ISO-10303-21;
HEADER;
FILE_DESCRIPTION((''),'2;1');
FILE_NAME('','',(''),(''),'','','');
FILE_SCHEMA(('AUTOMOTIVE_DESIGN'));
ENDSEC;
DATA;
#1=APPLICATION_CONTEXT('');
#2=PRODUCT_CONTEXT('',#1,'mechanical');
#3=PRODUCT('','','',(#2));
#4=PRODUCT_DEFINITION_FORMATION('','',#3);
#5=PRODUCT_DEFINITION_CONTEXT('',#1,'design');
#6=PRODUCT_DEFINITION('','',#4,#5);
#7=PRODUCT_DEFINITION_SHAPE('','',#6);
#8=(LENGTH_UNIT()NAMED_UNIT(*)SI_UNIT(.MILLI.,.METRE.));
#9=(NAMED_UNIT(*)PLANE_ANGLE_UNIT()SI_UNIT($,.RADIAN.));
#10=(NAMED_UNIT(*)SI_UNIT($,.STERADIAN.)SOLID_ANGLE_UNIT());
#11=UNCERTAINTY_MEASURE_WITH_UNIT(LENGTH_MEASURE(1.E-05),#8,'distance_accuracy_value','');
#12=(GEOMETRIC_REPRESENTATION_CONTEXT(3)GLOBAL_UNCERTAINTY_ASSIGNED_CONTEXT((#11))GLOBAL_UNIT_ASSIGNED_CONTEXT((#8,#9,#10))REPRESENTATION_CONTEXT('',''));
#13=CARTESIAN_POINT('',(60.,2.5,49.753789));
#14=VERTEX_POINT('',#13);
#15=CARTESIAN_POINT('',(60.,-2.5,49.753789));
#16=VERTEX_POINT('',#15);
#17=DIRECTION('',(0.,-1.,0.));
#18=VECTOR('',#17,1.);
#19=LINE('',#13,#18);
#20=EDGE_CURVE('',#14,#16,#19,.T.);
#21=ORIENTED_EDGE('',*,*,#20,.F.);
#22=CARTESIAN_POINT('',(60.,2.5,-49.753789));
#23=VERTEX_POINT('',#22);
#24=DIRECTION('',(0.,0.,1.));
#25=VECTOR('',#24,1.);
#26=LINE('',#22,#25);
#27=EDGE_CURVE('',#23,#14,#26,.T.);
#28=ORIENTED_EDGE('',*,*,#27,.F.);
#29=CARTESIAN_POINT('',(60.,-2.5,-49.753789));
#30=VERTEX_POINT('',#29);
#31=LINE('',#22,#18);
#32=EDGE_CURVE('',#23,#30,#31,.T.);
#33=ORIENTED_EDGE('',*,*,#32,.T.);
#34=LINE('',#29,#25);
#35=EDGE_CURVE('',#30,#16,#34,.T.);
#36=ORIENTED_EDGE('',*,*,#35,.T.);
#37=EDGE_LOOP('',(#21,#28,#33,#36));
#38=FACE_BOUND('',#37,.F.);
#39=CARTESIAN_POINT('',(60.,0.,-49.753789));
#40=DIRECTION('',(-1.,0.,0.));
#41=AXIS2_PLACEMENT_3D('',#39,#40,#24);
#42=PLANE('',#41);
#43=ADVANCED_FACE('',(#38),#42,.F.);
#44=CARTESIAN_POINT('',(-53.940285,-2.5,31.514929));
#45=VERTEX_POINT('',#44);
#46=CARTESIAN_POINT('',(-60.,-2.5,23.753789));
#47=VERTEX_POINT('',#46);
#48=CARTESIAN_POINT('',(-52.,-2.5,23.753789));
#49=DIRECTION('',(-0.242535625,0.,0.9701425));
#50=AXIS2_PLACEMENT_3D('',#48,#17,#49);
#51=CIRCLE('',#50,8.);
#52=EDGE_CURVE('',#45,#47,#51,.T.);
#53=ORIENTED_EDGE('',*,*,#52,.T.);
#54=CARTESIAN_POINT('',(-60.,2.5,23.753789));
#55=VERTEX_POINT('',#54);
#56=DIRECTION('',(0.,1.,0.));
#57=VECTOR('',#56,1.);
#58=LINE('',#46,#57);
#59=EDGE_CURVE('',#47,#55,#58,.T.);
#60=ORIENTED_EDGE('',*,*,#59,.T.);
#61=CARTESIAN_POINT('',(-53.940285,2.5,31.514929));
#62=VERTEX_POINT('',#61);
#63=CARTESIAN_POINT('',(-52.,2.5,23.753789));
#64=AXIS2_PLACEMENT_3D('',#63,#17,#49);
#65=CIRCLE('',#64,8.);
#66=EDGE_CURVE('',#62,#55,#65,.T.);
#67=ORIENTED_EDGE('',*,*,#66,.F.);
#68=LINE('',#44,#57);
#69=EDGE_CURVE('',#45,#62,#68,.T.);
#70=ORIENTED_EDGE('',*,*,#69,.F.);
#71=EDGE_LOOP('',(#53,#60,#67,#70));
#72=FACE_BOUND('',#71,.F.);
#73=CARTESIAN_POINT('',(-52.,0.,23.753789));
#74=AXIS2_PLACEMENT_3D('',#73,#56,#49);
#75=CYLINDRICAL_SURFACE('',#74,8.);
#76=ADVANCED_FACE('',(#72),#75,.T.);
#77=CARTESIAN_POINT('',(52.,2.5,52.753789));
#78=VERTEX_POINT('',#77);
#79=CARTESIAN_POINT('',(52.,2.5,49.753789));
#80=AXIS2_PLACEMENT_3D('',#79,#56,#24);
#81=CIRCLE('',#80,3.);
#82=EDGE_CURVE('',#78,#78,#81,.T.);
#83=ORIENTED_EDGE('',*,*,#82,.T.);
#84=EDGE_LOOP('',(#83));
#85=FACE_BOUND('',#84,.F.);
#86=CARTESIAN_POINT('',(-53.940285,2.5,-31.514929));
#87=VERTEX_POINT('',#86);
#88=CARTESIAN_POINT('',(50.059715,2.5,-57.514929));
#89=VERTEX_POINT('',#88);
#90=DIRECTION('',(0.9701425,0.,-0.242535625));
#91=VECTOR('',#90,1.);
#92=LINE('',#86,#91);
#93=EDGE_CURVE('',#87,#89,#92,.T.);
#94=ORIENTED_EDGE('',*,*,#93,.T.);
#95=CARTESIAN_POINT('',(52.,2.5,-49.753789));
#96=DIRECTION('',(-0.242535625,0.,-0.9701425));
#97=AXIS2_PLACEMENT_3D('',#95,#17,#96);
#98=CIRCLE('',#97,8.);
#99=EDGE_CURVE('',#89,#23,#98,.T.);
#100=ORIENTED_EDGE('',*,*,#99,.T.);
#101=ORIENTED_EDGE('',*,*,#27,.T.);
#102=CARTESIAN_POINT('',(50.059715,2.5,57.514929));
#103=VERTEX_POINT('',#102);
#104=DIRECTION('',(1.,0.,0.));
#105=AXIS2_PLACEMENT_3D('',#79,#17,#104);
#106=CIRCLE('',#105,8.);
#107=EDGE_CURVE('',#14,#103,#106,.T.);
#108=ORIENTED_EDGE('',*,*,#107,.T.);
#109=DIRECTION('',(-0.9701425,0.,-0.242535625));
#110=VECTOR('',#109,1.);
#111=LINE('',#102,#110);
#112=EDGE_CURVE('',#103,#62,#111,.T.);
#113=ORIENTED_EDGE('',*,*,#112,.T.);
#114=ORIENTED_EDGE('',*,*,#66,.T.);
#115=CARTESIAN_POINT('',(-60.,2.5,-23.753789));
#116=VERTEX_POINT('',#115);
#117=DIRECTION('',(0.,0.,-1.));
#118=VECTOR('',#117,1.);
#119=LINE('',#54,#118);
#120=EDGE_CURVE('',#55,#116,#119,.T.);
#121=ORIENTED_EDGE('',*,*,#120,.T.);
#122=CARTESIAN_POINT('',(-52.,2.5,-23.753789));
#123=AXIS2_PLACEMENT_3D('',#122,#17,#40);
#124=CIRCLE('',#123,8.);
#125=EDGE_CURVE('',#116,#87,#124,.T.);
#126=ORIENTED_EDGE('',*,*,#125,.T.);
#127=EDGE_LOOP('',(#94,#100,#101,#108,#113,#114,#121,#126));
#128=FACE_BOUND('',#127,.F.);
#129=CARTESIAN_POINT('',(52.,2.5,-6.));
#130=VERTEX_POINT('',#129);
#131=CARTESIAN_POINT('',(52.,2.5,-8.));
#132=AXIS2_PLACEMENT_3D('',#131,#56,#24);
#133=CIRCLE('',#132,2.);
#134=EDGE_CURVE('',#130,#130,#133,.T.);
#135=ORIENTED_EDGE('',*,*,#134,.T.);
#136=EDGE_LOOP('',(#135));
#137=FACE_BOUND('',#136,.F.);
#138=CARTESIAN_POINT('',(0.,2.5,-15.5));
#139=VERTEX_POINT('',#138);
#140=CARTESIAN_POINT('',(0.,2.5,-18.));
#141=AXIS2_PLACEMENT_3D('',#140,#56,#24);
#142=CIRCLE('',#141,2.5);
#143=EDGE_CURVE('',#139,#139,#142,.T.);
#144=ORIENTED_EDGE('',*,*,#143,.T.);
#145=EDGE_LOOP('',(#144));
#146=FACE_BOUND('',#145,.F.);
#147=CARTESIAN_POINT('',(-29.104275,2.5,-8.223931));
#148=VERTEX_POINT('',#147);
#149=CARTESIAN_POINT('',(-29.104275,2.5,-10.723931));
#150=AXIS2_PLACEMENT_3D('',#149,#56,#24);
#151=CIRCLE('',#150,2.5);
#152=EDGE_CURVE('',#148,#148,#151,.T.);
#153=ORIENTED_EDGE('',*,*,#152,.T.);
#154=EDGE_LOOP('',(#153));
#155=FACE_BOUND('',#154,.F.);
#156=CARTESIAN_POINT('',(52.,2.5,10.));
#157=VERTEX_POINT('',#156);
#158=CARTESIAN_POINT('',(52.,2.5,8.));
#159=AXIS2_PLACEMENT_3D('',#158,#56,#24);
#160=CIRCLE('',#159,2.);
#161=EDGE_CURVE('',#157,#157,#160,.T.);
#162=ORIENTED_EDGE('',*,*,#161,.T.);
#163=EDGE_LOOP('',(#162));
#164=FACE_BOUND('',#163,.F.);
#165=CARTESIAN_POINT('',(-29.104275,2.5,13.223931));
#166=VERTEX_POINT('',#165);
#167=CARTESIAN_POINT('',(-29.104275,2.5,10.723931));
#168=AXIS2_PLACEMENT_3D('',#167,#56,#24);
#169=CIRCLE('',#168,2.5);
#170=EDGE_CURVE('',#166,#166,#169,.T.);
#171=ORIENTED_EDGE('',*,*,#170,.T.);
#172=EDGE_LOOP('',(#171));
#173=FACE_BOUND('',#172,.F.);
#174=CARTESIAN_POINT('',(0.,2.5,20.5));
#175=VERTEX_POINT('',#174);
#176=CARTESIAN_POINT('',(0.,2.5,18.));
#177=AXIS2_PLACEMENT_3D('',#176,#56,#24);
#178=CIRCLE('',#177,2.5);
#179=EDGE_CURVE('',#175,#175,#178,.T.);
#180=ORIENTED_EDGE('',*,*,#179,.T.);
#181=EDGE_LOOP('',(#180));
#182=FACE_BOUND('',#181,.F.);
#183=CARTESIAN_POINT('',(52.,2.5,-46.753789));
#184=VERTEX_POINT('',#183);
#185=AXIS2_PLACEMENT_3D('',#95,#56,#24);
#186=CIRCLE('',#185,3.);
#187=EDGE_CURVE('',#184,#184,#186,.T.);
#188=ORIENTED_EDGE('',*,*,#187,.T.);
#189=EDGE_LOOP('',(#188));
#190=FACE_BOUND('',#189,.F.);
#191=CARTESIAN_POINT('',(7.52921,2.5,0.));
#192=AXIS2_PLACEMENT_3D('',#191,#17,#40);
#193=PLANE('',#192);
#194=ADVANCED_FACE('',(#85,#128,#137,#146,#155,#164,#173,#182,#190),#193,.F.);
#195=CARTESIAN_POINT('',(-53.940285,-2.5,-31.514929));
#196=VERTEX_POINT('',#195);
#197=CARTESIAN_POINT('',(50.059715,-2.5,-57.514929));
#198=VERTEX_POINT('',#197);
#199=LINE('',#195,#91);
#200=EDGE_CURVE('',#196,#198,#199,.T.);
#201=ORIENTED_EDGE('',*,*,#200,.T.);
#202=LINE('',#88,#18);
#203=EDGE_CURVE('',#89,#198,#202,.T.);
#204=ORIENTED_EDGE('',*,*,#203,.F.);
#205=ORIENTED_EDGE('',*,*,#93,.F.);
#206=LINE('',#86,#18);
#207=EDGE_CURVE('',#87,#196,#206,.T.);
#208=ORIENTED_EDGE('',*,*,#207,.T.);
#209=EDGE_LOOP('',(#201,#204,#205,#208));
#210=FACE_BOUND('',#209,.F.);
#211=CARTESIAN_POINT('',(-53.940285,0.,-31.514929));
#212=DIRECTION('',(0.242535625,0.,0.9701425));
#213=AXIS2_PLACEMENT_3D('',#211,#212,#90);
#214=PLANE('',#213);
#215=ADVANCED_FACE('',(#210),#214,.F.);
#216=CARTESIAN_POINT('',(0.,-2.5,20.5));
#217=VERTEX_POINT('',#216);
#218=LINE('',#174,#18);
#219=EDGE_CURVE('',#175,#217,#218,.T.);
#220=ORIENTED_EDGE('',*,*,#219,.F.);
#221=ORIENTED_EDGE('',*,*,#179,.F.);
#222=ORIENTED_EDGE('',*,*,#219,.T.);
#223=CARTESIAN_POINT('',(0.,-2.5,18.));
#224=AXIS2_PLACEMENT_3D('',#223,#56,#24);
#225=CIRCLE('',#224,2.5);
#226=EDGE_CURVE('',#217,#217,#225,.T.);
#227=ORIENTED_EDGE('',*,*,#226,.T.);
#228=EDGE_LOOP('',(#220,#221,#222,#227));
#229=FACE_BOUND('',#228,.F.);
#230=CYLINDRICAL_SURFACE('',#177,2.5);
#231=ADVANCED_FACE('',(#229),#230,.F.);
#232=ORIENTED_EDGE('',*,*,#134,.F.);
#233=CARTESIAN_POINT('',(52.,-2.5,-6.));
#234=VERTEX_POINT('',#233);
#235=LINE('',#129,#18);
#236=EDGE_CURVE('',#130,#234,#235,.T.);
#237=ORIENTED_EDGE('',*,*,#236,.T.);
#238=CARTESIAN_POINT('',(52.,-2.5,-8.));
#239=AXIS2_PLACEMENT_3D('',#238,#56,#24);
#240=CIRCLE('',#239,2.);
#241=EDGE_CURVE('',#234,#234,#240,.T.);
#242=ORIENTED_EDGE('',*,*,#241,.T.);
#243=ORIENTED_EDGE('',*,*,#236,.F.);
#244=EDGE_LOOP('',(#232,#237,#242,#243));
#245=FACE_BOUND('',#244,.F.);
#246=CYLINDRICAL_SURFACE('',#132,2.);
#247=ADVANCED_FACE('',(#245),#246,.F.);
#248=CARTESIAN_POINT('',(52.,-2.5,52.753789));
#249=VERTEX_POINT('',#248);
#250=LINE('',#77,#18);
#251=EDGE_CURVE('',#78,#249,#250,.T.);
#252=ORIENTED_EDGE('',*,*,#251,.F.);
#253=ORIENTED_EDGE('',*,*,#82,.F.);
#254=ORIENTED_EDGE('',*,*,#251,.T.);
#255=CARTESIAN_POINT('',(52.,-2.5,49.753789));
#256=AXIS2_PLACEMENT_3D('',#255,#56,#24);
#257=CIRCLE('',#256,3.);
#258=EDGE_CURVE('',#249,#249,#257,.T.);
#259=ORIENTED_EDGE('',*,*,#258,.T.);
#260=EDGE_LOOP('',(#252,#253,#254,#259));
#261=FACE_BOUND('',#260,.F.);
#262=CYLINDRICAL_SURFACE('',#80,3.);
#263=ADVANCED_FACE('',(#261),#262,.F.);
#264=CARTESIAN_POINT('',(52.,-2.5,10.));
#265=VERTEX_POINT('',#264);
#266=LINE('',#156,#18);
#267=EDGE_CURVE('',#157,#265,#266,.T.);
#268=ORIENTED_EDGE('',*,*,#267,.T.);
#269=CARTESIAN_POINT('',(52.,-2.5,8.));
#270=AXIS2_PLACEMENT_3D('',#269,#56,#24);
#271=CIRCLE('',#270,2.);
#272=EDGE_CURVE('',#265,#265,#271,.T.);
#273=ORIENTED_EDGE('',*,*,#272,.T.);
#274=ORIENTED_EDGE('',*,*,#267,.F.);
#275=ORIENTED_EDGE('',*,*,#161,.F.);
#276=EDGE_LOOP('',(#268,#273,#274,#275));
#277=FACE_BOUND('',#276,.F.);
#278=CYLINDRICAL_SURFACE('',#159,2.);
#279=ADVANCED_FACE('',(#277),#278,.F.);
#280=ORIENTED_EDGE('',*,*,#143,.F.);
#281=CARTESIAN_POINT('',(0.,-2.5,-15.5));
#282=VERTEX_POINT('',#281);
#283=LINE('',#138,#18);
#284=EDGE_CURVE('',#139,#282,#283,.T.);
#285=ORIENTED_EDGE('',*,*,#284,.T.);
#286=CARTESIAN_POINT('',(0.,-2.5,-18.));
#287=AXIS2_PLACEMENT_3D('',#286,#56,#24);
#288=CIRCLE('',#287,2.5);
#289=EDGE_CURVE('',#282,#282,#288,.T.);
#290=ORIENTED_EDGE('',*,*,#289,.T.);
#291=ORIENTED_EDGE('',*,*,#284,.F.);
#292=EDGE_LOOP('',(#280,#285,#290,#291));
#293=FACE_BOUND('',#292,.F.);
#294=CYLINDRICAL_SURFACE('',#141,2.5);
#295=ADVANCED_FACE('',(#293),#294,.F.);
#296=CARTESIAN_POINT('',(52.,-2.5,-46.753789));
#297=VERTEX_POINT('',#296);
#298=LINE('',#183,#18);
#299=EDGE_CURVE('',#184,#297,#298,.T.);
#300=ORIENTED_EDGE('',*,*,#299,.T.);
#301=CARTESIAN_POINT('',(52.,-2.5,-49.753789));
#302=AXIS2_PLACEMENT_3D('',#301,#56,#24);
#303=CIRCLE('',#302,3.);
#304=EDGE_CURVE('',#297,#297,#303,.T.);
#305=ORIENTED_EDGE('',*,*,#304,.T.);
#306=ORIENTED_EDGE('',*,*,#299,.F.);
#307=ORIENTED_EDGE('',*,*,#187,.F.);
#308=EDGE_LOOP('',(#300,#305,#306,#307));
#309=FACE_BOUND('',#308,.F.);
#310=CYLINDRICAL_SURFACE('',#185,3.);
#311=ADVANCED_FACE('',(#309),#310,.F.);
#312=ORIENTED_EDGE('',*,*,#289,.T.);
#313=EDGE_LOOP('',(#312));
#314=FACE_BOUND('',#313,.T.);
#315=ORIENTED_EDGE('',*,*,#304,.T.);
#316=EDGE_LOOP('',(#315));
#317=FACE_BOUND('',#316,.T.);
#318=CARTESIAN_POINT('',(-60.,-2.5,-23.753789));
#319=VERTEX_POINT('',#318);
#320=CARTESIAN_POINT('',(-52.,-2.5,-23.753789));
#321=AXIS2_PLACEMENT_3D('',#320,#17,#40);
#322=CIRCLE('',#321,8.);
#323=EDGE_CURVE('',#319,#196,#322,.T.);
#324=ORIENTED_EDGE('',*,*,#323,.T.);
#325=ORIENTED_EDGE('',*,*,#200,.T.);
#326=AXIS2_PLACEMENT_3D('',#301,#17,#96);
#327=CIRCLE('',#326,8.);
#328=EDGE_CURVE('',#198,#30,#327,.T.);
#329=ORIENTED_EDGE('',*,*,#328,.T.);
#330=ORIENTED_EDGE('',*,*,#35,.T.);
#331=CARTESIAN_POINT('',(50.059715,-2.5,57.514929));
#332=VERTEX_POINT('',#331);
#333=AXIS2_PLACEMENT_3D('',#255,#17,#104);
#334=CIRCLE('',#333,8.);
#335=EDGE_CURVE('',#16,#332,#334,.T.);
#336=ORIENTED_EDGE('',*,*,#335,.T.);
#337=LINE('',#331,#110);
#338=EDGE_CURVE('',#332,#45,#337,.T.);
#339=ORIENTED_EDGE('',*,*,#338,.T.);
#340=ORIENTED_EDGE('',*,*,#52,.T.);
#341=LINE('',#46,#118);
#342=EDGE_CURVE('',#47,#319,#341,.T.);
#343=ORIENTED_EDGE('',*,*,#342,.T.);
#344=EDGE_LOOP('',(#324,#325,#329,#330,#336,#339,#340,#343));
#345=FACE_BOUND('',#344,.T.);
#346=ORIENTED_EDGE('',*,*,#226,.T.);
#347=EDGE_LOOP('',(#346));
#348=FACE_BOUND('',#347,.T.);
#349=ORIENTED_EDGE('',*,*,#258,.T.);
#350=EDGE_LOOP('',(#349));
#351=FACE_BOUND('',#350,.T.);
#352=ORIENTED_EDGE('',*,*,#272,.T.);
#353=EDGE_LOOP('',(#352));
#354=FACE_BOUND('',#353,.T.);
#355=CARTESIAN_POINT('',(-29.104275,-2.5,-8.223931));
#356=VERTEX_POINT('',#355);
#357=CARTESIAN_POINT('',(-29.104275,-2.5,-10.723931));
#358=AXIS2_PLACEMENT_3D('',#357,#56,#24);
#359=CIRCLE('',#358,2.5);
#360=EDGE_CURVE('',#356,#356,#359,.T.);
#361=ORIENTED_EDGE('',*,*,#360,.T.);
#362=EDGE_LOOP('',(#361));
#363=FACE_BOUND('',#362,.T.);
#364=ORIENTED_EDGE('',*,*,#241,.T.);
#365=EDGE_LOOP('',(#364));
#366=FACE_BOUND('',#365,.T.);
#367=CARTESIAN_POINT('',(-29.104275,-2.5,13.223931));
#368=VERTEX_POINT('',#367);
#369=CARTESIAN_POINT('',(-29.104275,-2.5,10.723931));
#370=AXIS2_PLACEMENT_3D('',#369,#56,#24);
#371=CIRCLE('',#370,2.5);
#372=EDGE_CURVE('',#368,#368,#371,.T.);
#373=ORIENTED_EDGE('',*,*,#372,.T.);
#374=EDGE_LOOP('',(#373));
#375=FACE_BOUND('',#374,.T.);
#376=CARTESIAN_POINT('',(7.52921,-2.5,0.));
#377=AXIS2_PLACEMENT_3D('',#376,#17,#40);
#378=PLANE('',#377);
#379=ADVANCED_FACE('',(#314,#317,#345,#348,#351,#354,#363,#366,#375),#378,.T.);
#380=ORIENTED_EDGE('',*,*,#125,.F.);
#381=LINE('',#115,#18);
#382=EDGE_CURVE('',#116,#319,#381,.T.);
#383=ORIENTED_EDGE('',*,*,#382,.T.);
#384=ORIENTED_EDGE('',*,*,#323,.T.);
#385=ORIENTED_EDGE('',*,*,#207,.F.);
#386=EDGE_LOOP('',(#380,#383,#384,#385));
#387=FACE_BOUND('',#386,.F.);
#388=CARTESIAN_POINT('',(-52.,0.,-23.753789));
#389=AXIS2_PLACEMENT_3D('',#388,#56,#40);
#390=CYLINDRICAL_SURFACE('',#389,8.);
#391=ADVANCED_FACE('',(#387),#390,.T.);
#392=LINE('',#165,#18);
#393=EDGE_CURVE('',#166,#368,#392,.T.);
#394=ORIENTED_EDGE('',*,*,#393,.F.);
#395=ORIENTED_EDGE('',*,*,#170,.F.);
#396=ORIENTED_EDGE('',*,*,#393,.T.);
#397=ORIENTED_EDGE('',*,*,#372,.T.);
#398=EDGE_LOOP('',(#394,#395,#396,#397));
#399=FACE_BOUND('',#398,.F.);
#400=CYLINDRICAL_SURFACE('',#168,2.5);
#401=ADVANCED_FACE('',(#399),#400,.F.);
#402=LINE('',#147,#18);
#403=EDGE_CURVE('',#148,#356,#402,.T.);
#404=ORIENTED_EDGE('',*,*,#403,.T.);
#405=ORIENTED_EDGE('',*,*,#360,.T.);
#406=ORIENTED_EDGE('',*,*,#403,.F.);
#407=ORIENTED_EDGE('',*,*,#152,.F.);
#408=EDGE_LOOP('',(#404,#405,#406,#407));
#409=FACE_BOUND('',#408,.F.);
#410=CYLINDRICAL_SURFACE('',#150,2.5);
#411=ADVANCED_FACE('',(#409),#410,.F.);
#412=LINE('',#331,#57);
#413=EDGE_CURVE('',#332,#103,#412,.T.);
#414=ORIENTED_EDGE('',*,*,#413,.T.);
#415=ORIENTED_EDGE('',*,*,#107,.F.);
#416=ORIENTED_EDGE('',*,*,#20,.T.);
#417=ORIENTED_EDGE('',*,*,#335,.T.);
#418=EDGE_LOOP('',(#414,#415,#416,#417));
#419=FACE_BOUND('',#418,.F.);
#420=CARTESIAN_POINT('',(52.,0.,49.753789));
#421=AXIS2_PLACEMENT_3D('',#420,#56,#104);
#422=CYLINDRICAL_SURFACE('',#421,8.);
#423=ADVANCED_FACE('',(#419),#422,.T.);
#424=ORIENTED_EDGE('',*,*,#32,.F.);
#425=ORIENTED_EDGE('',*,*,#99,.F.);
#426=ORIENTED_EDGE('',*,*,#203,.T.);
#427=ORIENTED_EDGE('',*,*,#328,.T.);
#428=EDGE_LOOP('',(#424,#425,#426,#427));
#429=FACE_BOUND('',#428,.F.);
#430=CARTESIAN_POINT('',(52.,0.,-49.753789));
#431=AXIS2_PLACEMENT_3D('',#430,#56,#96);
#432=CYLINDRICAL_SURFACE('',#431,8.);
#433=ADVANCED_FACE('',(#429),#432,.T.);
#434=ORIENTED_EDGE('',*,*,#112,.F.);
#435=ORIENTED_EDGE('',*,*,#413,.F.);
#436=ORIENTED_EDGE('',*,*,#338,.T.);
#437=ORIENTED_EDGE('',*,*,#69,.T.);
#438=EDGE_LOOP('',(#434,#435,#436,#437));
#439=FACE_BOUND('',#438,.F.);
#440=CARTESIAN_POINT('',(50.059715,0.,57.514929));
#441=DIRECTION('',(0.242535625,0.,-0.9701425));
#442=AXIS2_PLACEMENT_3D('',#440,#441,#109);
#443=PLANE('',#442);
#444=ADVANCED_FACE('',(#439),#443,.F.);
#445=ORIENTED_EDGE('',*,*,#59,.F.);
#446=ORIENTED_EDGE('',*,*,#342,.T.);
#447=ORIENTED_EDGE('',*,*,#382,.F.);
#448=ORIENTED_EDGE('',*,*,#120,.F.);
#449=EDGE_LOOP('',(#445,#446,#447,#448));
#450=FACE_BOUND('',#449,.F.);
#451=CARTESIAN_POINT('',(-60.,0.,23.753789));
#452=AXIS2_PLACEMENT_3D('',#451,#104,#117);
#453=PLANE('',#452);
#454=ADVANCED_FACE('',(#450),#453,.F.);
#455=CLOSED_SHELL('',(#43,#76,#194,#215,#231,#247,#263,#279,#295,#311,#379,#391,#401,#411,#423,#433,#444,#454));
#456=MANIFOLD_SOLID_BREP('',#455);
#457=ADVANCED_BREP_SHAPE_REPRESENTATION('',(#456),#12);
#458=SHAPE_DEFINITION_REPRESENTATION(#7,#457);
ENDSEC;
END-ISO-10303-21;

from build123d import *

# Parameters (mm, degrees)
BOSS_EXTRUDE1_DEPTH = 2.5
SKETCH2_R           = 3
SKETCH2_R_2         = 2.5
SKETCH2_R_3         = 2
CUT_EXTRUDE1_DEPTH  = 5


with BuildPart() as part:
    # Sketch1 → Boss-Extrude1 (new, symmetric)
    with BuildSketch(Plane(origin=(0, 0, 0), x_dir=(1, 0, 0), z_dir=(0, 1, 0))):
        with BuildLine():
            Line((-60, -23.753788749), (-60, 23.753788749))
            ThreePointArc((-60, 23.753788749), (-58.305643504, 28.677086424), (-53.940285, 31.51492875))
            Line((-53.940285, 31.51492875), (50.059715, 57.51492875))
            ThreePointArc((50.059715, 57.51492875), (56.923297675, 56.059432253), (60, 49.753788749))
            Line((60, 49.753788749), (60, -49.753788749))
            ThreePointArc((60, -49.753788749), (56.923297675, -56.059432253), (50.059715, -57.51492875))
            Line((50.059715, -57.51492875), (-53.940285, -31.51492875))
            ThreePointArc((-53.940285, -31.51492875), (-58.305643504, -28.677086424), (-60, -23.753788749))
        make_face()
    extrude(amount=BOSS_EXTRUDE1_DEPTH, both=True)

    # Sketch2 → Cut-Extrude1 (cut)
    with BuildSketch(Plane(origin=(0, 2.5, 0), x_dir=(1, 0, 0), z_dir=(0, 1, 0))):
        with Locations(Location((52, 49.753788749, 0), (0, 0, 270))):
            Circle(SKETCH2_R)
        with Locations(Location((0, 18, 0), (0, 0, 270))):
            Circle(SKETCH2_R_2)
        with Locations(Location((52, -49.753788749, 0), (0, 0, 270))):
            Circle(SKETCH2_R)
        with Locations(Location((0, -18, 0), (0, 0, 270))):
            Circle(SKETCH2_R_2)
        with Locations(Location((-29.104275004, 10.723931249, 0), (0, 0, 270))):
            Circle(SKETCH2_R_2)
        with Locations(Location((-29.104275004, -10.723931249, 0), (0, 0, 270))):
            Circle(SKETCH2_R_2)
        with Locations(Location((52, 8, 0), (0, 0, 270))):
            Circle(SKETCH2_R_3)
        with Locations(Location((52, -8, 0), (0, 0, 270))):
            Circle(SKETCH2_R_3)
    extrude(amount=-CUT_EXTRUDE1_DEPTH, mode=Mode.SUBTRACT)


solid = part.part
